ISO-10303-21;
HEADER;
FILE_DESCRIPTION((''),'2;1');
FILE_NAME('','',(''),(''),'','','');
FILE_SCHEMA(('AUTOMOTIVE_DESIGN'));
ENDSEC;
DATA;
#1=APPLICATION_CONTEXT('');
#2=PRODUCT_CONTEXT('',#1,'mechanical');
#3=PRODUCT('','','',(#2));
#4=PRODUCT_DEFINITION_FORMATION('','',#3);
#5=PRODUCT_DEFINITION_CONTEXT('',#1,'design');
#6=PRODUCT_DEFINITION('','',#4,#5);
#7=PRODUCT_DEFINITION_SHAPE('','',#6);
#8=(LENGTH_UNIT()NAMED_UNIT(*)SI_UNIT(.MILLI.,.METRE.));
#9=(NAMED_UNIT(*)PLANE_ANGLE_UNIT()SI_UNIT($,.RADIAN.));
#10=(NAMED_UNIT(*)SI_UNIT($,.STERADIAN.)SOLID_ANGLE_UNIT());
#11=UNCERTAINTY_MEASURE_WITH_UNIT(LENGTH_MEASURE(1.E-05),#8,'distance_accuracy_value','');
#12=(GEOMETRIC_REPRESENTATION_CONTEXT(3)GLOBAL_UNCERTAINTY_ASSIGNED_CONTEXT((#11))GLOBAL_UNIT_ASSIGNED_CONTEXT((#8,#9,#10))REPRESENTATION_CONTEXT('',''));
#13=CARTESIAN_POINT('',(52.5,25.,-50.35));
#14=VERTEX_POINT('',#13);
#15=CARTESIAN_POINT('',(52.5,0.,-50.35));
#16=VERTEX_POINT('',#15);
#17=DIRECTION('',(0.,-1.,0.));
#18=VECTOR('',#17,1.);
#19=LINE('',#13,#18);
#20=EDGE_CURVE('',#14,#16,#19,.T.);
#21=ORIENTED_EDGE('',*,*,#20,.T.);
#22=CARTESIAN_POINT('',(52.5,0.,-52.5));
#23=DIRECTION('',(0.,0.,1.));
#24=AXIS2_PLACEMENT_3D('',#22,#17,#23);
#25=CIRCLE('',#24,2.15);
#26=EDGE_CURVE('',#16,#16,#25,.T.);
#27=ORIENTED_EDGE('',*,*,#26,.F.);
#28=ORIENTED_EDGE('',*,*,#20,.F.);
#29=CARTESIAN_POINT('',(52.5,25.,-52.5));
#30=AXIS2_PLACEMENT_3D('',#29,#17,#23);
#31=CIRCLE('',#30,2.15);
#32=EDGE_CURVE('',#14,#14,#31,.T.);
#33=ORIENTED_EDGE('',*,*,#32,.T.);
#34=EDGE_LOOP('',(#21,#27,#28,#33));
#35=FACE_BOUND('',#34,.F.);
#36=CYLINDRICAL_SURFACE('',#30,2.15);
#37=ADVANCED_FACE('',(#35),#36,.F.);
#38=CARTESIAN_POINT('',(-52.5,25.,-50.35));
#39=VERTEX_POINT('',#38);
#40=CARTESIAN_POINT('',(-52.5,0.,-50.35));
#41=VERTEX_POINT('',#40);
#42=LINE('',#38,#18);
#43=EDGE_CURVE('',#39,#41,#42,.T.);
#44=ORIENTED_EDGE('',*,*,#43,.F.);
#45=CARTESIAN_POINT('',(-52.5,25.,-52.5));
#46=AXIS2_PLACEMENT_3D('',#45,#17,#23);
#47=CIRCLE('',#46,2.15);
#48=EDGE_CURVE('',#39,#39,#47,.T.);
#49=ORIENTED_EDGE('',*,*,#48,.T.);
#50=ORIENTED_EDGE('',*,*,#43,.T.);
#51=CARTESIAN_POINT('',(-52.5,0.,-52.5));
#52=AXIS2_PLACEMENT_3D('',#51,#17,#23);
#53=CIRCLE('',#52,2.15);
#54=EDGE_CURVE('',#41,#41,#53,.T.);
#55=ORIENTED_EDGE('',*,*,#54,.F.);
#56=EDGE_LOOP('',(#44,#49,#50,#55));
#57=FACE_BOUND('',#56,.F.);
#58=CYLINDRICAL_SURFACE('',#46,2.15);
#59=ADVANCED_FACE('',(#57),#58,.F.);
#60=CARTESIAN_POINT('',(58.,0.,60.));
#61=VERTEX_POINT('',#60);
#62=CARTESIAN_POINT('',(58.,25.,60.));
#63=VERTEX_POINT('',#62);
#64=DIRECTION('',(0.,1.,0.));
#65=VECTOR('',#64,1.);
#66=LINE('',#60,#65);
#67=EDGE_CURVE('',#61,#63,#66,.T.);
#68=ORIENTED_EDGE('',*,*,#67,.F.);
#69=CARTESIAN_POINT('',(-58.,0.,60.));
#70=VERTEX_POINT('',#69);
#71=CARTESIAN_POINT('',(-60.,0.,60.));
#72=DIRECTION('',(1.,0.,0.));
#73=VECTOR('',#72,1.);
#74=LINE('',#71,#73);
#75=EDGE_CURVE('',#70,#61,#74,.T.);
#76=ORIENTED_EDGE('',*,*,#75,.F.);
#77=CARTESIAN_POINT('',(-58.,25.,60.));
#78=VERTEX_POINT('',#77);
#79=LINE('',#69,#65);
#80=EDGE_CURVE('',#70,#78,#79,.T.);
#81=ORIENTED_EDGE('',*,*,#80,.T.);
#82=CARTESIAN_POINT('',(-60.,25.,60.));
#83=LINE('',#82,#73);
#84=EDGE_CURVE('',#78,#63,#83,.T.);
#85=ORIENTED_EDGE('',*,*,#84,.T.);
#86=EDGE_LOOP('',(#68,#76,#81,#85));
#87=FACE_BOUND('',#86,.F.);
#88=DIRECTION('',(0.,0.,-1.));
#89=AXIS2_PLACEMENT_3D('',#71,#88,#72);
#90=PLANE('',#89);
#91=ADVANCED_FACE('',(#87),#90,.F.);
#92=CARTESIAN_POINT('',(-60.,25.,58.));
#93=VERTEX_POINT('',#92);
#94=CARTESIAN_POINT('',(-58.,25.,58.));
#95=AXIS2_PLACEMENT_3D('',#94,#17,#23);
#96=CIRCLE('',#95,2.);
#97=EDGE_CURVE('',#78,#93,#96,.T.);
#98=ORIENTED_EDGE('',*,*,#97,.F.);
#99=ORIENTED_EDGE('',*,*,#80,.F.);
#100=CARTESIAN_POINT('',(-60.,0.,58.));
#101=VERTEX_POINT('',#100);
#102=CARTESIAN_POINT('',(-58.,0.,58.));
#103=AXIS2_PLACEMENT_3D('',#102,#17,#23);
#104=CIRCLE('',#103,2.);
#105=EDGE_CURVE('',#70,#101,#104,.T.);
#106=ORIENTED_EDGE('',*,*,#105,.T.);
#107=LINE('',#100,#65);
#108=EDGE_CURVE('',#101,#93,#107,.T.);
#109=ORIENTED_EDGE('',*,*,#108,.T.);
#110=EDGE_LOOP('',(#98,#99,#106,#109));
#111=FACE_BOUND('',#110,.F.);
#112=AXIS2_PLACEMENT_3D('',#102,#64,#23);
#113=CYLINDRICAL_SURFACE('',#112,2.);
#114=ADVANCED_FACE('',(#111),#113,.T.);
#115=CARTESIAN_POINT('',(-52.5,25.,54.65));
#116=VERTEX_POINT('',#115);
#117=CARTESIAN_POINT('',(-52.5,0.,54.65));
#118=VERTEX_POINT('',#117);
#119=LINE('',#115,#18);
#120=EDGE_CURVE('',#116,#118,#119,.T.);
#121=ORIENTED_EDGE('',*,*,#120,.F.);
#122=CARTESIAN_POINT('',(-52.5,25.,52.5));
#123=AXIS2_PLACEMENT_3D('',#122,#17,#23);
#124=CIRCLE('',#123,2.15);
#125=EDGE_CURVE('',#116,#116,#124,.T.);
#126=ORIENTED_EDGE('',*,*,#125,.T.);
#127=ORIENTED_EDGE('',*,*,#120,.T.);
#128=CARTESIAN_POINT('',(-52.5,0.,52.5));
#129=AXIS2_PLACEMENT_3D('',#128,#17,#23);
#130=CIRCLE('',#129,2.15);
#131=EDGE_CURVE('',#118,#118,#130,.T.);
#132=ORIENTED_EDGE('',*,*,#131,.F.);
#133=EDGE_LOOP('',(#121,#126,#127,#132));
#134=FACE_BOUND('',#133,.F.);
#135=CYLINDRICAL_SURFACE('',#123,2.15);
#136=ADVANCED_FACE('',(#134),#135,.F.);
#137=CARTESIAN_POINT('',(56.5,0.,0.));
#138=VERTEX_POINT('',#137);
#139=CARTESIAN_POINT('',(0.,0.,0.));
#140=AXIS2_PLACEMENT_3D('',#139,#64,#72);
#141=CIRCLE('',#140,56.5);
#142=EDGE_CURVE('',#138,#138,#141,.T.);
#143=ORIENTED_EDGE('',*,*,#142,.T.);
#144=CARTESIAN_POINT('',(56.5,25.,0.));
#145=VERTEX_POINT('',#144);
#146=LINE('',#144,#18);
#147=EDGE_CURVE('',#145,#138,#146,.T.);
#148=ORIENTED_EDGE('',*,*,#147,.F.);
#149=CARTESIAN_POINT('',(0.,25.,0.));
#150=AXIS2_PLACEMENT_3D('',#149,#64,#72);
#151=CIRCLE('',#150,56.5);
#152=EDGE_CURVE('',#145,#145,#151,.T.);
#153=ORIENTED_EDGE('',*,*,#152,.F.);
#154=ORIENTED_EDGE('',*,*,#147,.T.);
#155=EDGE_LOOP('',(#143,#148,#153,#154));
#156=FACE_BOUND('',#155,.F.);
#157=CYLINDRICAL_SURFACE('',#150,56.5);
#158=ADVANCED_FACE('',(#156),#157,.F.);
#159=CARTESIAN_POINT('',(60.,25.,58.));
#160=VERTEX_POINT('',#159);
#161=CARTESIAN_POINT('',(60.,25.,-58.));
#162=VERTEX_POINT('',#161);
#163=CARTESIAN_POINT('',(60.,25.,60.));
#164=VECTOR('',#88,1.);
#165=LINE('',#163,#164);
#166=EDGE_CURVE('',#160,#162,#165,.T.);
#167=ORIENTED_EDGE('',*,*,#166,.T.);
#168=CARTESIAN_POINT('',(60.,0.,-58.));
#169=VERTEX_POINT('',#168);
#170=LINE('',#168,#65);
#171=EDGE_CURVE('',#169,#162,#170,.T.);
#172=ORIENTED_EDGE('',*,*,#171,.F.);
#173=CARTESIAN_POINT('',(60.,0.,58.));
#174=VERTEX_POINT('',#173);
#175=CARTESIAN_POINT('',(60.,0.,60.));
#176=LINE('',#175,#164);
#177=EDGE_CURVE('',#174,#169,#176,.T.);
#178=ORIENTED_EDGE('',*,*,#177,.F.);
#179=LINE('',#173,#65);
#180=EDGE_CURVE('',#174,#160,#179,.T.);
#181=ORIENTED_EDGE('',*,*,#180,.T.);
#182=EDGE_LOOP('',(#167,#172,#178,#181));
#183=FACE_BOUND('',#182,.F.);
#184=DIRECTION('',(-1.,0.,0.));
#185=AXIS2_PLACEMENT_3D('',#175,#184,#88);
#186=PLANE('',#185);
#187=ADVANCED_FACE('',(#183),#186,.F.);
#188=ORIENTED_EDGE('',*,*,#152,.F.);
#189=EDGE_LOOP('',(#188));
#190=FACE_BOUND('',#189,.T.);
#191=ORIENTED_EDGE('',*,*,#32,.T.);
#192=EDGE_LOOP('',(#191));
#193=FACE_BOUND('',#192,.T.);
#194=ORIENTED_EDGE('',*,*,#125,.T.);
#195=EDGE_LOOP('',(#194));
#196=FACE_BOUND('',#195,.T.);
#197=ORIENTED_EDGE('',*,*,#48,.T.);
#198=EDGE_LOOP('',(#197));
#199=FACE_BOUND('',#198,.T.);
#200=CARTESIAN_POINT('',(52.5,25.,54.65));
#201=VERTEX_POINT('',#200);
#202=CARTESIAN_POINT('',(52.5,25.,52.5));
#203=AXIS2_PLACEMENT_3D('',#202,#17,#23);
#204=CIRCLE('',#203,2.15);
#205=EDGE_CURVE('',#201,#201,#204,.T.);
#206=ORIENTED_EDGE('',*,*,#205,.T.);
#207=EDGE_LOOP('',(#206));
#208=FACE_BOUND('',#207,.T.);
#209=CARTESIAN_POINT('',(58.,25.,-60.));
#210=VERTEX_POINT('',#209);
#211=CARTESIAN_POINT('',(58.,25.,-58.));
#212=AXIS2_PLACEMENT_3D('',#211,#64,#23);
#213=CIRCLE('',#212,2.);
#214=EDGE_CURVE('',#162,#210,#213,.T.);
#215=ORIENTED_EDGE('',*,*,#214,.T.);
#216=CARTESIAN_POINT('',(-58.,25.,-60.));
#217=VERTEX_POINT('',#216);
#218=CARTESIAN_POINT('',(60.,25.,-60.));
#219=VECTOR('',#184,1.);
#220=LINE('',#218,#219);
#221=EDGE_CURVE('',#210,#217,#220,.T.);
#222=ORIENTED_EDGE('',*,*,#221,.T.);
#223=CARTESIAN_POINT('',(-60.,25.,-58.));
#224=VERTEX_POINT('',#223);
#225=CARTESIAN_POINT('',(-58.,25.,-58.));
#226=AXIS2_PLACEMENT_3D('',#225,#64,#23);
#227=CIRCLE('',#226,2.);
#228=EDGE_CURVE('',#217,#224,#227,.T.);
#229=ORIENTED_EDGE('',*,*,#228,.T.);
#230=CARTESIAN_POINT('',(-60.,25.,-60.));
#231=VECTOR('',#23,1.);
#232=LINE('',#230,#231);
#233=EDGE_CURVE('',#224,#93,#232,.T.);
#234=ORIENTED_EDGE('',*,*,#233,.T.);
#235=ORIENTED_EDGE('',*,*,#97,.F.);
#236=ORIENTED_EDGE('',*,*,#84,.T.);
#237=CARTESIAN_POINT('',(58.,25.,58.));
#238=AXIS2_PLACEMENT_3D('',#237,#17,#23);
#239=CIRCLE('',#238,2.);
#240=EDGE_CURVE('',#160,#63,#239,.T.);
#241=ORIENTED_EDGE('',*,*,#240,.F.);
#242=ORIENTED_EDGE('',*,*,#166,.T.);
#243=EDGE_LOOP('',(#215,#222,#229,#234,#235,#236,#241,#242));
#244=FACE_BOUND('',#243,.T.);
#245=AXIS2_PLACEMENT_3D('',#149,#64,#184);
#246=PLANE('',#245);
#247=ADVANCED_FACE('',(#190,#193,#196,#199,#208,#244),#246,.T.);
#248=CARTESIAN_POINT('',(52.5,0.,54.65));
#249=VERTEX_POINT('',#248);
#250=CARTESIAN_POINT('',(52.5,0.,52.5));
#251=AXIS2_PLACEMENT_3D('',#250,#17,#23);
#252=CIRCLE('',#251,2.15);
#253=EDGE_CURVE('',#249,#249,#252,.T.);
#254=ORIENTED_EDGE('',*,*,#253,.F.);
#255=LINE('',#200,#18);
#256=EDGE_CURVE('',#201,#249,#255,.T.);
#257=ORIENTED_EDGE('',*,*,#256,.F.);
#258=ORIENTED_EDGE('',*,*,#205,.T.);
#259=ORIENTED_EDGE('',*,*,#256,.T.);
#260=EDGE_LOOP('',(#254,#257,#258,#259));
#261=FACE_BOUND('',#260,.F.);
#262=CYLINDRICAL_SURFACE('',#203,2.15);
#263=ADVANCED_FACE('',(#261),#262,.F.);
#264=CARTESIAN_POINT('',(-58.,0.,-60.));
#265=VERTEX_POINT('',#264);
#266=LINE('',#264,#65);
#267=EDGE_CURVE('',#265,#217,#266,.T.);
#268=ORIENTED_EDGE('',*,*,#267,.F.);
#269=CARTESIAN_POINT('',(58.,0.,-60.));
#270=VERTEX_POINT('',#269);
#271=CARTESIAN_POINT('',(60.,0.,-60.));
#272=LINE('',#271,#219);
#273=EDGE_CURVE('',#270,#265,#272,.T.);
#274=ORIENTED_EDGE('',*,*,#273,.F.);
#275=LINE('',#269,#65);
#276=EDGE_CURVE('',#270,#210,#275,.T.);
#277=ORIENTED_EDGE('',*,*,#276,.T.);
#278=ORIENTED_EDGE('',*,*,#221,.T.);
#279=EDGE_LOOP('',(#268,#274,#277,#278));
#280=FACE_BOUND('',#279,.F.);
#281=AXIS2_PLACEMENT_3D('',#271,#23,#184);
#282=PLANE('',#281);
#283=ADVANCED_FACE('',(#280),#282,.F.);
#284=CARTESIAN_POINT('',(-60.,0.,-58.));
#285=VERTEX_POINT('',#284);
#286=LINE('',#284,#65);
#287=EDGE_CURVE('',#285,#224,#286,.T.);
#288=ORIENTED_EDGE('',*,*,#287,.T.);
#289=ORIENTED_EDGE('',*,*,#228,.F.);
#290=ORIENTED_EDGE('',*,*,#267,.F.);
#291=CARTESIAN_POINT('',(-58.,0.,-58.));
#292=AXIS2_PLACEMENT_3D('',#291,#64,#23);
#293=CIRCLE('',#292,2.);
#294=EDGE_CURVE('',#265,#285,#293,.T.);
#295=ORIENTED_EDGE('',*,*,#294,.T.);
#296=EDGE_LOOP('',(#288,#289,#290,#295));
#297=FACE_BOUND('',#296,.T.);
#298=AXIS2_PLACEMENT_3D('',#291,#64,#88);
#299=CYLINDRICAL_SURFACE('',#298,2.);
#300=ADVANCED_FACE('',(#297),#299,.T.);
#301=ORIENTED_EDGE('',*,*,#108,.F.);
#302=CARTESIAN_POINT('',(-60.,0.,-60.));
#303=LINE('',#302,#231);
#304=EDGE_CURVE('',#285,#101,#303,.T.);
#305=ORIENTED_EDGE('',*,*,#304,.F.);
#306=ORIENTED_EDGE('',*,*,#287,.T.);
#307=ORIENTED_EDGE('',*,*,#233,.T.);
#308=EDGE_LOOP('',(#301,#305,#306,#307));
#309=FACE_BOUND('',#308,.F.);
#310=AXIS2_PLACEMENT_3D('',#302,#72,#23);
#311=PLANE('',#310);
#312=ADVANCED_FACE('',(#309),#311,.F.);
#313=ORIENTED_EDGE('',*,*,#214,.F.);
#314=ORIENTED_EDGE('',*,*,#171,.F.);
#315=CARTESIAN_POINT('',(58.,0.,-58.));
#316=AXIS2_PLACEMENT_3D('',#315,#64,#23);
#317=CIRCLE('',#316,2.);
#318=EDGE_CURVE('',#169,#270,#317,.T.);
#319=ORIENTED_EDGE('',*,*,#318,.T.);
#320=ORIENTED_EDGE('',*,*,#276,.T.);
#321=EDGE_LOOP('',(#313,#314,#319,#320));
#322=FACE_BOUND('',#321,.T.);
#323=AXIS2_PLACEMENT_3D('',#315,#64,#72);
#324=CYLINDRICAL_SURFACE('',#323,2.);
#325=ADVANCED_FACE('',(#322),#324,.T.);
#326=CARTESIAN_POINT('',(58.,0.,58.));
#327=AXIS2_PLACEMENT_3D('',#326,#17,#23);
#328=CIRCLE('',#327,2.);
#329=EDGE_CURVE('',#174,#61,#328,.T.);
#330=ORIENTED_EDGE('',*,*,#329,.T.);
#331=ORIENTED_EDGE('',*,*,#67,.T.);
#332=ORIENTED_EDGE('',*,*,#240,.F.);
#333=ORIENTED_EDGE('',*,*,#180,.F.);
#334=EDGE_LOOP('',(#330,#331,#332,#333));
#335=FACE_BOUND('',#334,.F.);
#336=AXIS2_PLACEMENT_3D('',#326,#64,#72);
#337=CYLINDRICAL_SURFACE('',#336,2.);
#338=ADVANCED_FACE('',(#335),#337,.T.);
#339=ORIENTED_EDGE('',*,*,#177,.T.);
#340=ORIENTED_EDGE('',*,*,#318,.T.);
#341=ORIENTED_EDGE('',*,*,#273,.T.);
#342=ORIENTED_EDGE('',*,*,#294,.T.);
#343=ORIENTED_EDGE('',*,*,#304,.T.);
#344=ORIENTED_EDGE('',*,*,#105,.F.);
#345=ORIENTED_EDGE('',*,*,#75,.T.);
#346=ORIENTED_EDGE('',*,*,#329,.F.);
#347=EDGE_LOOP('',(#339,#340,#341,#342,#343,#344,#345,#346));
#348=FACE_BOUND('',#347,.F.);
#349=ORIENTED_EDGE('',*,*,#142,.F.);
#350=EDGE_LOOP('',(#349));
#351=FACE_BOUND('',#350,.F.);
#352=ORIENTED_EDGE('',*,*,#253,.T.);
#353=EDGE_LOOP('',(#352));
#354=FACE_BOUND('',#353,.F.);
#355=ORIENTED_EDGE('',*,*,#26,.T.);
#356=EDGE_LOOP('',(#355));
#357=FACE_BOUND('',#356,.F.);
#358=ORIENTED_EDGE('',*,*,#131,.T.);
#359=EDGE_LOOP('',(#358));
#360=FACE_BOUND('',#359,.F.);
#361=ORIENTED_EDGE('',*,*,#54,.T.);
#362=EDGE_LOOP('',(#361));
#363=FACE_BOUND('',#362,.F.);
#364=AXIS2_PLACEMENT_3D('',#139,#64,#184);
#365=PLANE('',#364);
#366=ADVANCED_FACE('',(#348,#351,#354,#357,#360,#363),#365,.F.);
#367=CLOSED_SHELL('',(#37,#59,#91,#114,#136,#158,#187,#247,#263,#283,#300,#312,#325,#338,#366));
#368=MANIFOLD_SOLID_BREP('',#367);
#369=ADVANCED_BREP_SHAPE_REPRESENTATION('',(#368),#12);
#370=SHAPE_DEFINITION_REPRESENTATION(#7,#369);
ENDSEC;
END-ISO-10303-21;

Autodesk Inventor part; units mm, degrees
ref_plane "YZ Plane" through (0, 0, 0) normal (1, 0, 0) x (0, 1, 0)
ref_plane "XZ Plane" through (0, 0, 0) normal (0, 1, 0) x (-1, 0, 0)
ref_plane "XY Plane" through (0, 0, 0) normal (0, 0, 1) x (1, 0, 0)
sketch "Skizze1" plane through (0, 0, 0) normal (0, 1, 0) x (-1, 0, 0)
  line L0 (-60, -60) -> (60, -60)
  line L1 (60, -60) -> (60, 60)
  line L2 (60, 60) -> (-60, 60)
  line L3 (-60, 60) -> (-60, -60)
  line L4 (-60, -60) -> (60, 60) construction
  line L5 (60, -60) -> (-60, 60) construction
  point P0 (0, 0)
  dimension "d0" = 120
  dimension "d1" = 120
extrude "Extrusion1" add sketch "Skizze1" along normal blind 25
sketch "Skizze2" plane through (0, 25, 0) normal (0, 1, 0) x (1, 0, 0)
  line L0 (52.5, 52.5) -> (-52.5, 52.5)
  line L1 (-52.5, 52.5) -> (-52.5, -52.5)
  line L2 (-52.5, -52.5) -> (52.5, -52.5)
  line L3 (52.5, -52.5) -> (52.5, 52.5)
  line L4 (52.5, 52.5) -> (-52.5, -52.5) construction
  line L5 (-52.5, 52.5) -> (52.5, -52.5) construction
  point P0 (0, 0)
  dimension "d4" = 105
  dimension "d5" = 105
hole "Bohrung1" at (52.5, 25, 52.5) at (52.5, 25, -52.5) at (-52.5, 25, 52.5) at (-52.5, 25, -52.5) direction (0, -1, 0) diameter 4.3 end through all
sketch "Skizze3" plane through (0, 25, 0) normal (0, 1, 0) x (1, 0, 0)
  circle A0 centre (0, 0) radius 56.5
  dimension "d13" = 113
extrude "Extrusion2" cut sketch "Skizze3" against normal through all
fillet "Rundung1" radius 2 4 edges at (-60, 12.5, 60) (60, 12.5, 60) (-60, 12.5, -60) (60, 12.5, -60)
properties part number "Lüfter80x80"
